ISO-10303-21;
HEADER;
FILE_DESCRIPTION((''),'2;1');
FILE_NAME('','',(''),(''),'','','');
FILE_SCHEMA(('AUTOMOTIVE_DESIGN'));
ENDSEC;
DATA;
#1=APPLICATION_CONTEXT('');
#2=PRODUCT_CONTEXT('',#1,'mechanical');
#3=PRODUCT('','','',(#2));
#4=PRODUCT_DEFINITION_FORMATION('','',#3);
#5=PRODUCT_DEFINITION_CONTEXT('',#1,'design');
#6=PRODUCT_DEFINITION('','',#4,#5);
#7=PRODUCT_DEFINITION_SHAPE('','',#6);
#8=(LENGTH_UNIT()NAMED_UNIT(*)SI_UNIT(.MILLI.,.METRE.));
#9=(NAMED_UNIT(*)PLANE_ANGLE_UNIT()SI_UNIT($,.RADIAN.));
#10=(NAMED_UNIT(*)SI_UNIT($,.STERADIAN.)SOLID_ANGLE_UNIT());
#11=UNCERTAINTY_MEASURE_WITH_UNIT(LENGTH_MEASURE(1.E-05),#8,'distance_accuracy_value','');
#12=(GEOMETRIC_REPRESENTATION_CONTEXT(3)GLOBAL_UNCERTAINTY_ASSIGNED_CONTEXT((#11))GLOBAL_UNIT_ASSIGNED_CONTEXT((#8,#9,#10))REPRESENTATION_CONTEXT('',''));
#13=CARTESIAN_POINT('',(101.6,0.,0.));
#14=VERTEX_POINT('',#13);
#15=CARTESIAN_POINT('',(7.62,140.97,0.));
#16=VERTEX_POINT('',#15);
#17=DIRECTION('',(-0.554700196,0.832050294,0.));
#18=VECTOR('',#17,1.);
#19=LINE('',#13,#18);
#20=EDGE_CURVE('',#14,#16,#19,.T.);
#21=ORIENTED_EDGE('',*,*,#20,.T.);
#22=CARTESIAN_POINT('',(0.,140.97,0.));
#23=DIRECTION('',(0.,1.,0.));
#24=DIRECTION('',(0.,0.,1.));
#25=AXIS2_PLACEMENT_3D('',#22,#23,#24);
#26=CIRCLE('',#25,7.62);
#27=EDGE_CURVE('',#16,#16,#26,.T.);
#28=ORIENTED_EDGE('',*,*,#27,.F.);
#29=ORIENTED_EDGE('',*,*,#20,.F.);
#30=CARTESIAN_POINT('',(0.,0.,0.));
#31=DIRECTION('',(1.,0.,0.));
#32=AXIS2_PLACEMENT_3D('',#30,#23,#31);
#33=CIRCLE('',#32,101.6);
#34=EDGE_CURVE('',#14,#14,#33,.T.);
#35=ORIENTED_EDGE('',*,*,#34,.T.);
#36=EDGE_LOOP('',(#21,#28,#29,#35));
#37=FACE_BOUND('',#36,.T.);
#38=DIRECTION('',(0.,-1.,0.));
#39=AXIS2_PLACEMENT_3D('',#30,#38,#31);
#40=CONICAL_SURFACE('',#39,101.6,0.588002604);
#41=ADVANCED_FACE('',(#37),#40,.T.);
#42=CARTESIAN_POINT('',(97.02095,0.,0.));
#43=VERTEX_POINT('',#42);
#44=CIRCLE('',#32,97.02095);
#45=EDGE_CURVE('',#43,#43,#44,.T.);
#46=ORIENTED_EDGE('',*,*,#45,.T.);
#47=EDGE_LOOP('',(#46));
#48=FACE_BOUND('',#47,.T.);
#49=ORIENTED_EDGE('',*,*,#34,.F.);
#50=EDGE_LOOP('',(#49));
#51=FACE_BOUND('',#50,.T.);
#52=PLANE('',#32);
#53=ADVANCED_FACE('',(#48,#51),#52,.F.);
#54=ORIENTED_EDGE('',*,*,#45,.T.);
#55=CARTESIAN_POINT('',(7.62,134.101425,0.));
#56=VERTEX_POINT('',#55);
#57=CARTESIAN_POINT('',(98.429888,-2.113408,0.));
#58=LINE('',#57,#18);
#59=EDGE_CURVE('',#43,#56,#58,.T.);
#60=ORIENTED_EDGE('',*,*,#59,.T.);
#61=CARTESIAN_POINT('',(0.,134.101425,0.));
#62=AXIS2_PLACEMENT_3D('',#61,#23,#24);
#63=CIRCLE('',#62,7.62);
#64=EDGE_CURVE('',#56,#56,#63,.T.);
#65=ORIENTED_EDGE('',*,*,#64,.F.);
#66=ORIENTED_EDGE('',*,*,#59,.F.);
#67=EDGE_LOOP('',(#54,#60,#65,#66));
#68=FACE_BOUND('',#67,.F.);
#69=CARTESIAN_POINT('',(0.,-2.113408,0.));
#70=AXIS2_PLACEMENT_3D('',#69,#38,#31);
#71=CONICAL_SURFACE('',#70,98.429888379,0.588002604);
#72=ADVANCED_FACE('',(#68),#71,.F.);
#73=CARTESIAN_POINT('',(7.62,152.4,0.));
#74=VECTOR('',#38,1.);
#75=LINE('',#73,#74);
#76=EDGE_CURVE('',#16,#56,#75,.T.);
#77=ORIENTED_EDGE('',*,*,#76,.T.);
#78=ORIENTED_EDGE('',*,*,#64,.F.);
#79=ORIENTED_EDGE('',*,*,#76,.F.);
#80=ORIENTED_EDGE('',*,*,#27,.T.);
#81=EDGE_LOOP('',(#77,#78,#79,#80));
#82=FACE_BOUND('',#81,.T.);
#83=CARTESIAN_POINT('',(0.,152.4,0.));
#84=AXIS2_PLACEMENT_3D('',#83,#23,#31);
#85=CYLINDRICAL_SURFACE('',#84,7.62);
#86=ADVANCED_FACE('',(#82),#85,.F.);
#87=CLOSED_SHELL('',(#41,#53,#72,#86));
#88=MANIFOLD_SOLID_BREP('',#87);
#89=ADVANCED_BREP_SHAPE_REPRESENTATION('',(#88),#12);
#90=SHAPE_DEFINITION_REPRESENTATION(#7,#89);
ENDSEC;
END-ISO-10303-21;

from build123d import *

# Parameters (mm, degrees)
F3_T     = -3.81
F4_R     = 7.62
F5_DEPTH = 33.02


with BuildPart() as f1:
    # F0 (on Top) → F1 (revolve)
    with BuildSketch(Plane.XY):
        Polygon((0, 152.4), (0, 0), (101.6, 0), align=None)
    revolve(axis=Axis((0, 76.2, 0), (0, 1, 0)))

    # F3
    f3_openings = [f1.faces().sort_by_distance(p)[0] for p in [
        (0, 0, 0),
    ]]
    offset(amount=F3_T, openings=f3_openings)

    # F4 (on offset) → F5 (cut)
    with BuildSketch(Plane.XZ.offset(-152.4)):
        Circle(F4_R)
    extrude(amount=F5_DEPTH, mode=Mode.SUBTRACT)


solid = f1.part
